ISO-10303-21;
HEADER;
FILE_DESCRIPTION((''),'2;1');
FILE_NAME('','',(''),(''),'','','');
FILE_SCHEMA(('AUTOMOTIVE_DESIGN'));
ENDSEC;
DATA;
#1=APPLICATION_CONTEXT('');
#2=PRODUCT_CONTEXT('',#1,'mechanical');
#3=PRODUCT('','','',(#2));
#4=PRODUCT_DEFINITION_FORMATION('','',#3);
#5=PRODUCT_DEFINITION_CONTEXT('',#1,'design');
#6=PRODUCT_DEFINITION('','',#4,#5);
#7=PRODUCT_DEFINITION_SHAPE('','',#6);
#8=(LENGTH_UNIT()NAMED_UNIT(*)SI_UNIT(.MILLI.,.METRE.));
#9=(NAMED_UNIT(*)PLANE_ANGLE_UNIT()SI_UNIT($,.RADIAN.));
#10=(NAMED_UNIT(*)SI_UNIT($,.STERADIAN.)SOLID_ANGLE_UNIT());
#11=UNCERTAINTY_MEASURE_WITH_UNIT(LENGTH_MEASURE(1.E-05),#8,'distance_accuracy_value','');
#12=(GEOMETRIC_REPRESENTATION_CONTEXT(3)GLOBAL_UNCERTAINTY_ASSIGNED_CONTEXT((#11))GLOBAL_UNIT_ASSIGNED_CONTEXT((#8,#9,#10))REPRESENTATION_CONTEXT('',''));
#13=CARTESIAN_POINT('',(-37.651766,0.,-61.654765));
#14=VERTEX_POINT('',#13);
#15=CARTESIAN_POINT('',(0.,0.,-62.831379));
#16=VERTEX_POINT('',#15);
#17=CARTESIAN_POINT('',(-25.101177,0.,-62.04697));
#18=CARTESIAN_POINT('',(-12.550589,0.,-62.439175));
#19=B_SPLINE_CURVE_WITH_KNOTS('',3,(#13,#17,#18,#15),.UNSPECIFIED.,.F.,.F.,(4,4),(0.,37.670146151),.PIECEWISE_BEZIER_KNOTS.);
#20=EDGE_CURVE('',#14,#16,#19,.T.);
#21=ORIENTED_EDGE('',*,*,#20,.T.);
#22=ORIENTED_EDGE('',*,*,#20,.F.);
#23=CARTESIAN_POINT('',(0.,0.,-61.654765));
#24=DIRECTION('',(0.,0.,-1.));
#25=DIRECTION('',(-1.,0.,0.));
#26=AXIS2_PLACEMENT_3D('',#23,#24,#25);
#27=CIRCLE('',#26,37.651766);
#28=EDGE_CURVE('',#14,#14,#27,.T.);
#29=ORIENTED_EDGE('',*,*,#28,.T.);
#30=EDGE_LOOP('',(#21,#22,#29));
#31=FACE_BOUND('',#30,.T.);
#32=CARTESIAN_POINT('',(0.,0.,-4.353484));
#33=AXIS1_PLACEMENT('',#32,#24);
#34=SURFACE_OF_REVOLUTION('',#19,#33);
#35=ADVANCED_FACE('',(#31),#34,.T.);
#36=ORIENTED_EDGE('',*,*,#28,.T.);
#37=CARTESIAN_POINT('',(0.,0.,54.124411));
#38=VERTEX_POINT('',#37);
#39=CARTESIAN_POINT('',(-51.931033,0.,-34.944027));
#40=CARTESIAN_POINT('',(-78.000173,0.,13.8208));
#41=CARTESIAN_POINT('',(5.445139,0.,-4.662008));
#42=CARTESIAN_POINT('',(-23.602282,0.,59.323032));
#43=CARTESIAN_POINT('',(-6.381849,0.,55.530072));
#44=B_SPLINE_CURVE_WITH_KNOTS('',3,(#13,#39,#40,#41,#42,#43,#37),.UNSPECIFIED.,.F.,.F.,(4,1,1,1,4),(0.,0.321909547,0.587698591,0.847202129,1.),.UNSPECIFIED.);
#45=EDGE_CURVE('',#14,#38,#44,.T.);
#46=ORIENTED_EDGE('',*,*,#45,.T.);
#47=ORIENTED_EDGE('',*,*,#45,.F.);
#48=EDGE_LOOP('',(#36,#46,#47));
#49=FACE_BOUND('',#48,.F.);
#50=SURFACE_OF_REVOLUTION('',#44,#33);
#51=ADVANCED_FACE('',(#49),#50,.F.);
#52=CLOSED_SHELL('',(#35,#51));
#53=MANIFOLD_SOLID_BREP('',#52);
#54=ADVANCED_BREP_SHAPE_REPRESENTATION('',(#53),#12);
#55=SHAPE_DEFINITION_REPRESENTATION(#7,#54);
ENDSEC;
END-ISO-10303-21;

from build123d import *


with BuildPart() as f2:
    # F0 (on Front) → F2 (revolve)
    with BuildSketch(Plane.XZ):
        with BuildLine():
            add(Edge.make_bspline(
                [(-37.6517660916, -61.6547651589), (-51.9310330872, -34.9440267327), (-78.0001732388, 13.8208001874), (5.4451390351, -4.662008315), (-23.6022818495, 59.323031645), (-6.3818492606, 55.5300724059), (0, 54.1244111955)],
                knots=[0, 0, 0, 0, 0.321909547, 0.5876985913, 0.8472021288, 1, 1, 1, 1], degree=3))
            add(Edge.make_bspline(
                [(-37.6517660916, -61.6547651589), (-25.1011773944, -62.0469699303), (-12.5505886972, -62.4391747018), (0, -62.8313794732)],
                knots=[0, 0, 0, 0, 37.6701461513, 37.6701461513, 37.6701461513, 37.6701461513], degree=3))
            Line((0, -62.8313794732), (0, 54.1244111955))
        make_face()
    revolve(axis=Axis((0, 0, -4.3534841388), (0, 0, -1)))


solid = f2.part
